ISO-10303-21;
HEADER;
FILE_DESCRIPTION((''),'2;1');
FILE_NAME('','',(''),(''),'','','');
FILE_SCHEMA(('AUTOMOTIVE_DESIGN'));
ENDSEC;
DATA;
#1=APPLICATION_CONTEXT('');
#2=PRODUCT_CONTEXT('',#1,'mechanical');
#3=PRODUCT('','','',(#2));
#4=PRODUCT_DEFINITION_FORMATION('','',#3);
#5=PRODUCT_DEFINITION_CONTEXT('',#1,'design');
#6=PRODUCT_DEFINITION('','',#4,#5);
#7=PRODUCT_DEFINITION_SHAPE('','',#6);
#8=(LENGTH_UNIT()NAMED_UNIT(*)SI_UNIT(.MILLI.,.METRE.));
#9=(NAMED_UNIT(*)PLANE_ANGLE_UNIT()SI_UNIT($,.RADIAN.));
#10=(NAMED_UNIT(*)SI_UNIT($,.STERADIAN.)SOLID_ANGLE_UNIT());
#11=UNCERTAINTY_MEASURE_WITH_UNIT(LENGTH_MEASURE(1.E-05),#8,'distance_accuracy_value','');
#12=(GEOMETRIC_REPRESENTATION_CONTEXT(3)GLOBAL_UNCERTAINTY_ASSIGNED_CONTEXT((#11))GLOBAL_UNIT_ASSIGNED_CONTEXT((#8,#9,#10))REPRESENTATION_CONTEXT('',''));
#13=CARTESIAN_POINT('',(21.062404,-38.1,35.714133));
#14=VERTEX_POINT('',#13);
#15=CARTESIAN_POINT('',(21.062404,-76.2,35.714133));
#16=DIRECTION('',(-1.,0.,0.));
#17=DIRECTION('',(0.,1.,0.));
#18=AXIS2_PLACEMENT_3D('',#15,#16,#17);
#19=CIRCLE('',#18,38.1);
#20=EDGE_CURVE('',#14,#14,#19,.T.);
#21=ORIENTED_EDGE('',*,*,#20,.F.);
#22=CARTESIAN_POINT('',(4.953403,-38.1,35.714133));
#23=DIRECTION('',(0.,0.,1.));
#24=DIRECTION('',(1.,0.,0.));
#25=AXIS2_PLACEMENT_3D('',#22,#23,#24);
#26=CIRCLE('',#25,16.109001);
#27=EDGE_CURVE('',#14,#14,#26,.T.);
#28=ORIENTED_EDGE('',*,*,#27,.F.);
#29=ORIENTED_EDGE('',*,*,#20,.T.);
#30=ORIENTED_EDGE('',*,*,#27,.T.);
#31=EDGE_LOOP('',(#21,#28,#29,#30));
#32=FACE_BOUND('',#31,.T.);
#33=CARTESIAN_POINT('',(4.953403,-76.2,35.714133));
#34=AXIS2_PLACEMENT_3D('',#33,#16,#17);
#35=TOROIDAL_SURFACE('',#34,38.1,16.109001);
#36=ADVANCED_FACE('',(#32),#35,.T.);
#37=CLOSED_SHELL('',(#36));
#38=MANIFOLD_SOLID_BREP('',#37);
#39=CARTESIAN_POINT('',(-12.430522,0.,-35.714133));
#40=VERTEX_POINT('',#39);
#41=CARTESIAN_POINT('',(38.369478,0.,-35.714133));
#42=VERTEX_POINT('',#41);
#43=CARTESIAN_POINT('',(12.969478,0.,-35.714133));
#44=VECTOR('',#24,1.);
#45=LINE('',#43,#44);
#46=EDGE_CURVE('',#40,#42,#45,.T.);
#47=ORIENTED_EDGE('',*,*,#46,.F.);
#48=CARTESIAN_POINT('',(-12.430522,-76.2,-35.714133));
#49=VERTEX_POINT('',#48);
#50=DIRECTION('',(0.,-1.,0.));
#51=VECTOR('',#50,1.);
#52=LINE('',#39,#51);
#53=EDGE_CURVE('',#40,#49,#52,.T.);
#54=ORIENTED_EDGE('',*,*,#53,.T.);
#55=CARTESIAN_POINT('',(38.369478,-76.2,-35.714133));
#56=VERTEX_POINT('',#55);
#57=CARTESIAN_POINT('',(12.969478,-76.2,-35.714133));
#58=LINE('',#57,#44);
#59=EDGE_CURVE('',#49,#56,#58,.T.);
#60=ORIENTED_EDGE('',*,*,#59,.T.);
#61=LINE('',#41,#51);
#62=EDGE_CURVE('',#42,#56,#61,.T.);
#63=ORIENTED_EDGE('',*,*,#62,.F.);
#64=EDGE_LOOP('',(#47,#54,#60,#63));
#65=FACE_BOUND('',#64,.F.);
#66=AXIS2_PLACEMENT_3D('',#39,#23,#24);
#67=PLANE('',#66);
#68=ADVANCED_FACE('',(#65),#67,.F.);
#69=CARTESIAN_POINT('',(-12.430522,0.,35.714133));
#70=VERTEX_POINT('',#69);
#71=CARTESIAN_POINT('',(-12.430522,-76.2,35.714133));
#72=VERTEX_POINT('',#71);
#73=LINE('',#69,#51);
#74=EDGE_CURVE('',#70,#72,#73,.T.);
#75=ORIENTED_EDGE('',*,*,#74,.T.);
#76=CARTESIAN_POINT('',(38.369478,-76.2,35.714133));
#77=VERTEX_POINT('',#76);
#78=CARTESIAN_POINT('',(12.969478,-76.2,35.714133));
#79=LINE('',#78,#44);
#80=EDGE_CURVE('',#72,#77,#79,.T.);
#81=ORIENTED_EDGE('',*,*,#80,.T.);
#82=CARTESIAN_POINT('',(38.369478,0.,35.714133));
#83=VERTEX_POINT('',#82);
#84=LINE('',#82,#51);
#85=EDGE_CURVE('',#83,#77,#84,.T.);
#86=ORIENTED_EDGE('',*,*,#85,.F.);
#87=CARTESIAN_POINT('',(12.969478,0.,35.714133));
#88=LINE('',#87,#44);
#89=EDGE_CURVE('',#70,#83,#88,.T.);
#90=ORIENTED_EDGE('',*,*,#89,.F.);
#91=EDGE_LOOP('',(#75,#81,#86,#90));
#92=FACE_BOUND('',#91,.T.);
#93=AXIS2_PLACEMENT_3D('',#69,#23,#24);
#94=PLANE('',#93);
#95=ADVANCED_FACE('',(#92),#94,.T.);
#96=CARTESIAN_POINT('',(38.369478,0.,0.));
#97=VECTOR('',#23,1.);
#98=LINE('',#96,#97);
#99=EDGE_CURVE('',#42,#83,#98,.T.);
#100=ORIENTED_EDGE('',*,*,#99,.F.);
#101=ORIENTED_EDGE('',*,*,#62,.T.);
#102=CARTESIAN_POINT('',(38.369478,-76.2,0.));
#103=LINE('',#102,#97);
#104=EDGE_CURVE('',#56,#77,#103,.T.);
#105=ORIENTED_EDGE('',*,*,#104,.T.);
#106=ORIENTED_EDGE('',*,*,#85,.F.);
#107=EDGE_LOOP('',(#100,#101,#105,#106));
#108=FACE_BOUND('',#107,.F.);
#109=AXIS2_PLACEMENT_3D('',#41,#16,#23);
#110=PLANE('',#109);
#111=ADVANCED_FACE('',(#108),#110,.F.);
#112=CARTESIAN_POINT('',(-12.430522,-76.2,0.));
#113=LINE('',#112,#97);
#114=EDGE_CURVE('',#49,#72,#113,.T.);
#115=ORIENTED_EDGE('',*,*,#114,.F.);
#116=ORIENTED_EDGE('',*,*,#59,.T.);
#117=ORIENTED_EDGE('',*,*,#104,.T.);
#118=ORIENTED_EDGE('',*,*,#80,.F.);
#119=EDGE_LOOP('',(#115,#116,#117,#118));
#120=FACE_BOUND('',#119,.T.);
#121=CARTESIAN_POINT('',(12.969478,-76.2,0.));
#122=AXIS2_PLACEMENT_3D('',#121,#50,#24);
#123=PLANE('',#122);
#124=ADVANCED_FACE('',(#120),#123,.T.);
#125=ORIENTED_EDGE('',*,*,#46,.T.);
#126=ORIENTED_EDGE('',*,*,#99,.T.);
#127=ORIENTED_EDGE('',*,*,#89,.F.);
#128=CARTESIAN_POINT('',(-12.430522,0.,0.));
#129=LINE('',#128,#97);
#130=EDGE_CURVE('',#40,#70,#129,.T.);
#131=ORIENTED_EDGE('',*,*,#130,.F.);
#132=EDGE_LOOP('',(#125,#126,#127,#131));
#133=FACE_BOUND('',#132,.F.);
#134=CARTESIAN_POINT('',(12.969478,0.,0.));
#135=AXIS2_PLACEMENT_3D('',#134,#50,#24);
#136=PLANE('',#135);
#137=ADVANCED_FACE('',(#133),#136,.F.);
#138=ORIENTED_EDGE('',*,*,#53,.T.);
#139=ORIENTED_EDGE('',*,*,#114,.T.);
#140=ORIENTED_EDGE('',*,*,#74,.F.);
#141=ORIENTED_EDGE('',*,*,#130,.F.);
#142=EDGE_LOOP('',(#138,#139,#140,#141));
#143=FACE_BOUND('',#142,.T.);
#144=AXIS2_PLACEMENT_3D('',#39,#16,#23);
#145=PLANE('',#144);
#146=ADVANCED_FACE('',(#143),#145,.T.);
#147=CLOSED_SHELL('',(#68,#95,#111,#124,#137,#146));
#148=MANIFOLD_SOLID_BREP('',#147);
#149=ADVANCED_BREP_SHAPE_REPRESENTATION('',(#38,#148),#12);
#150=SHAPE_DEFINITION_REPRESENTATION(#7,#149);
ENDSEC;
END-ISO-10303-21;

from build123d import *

# Parameters (mm, degrees)
F0_W     = 50.8
F0_H     = 71.4282666582
F1_DEPTH = 76.2
F2_R     = 16.1090010983


with BuildPart() as f1:
    # F0 (on Front) → F1 (new body)
    with BuildSketch(Plane.XZ):
        with Locations((12.9694777326, 0)):
            Rectangle(F0_W, F0_H)
    extrude(amount=F1_DEPTH)


with BuildPart() as f3:
    # F2 (on face) → F3 (revolve)
    with BuildSketch(Plane.XY.offset(35.7141333291)):
        with Locations((4.9534030259, -38.1)):
            Circle(F2_R)
    revolve(axis=Axis((12.9694777326, -76.2, 35.7141333291), (-1, 0, 0)))


solid = Compound([f1.part, f3.part])
